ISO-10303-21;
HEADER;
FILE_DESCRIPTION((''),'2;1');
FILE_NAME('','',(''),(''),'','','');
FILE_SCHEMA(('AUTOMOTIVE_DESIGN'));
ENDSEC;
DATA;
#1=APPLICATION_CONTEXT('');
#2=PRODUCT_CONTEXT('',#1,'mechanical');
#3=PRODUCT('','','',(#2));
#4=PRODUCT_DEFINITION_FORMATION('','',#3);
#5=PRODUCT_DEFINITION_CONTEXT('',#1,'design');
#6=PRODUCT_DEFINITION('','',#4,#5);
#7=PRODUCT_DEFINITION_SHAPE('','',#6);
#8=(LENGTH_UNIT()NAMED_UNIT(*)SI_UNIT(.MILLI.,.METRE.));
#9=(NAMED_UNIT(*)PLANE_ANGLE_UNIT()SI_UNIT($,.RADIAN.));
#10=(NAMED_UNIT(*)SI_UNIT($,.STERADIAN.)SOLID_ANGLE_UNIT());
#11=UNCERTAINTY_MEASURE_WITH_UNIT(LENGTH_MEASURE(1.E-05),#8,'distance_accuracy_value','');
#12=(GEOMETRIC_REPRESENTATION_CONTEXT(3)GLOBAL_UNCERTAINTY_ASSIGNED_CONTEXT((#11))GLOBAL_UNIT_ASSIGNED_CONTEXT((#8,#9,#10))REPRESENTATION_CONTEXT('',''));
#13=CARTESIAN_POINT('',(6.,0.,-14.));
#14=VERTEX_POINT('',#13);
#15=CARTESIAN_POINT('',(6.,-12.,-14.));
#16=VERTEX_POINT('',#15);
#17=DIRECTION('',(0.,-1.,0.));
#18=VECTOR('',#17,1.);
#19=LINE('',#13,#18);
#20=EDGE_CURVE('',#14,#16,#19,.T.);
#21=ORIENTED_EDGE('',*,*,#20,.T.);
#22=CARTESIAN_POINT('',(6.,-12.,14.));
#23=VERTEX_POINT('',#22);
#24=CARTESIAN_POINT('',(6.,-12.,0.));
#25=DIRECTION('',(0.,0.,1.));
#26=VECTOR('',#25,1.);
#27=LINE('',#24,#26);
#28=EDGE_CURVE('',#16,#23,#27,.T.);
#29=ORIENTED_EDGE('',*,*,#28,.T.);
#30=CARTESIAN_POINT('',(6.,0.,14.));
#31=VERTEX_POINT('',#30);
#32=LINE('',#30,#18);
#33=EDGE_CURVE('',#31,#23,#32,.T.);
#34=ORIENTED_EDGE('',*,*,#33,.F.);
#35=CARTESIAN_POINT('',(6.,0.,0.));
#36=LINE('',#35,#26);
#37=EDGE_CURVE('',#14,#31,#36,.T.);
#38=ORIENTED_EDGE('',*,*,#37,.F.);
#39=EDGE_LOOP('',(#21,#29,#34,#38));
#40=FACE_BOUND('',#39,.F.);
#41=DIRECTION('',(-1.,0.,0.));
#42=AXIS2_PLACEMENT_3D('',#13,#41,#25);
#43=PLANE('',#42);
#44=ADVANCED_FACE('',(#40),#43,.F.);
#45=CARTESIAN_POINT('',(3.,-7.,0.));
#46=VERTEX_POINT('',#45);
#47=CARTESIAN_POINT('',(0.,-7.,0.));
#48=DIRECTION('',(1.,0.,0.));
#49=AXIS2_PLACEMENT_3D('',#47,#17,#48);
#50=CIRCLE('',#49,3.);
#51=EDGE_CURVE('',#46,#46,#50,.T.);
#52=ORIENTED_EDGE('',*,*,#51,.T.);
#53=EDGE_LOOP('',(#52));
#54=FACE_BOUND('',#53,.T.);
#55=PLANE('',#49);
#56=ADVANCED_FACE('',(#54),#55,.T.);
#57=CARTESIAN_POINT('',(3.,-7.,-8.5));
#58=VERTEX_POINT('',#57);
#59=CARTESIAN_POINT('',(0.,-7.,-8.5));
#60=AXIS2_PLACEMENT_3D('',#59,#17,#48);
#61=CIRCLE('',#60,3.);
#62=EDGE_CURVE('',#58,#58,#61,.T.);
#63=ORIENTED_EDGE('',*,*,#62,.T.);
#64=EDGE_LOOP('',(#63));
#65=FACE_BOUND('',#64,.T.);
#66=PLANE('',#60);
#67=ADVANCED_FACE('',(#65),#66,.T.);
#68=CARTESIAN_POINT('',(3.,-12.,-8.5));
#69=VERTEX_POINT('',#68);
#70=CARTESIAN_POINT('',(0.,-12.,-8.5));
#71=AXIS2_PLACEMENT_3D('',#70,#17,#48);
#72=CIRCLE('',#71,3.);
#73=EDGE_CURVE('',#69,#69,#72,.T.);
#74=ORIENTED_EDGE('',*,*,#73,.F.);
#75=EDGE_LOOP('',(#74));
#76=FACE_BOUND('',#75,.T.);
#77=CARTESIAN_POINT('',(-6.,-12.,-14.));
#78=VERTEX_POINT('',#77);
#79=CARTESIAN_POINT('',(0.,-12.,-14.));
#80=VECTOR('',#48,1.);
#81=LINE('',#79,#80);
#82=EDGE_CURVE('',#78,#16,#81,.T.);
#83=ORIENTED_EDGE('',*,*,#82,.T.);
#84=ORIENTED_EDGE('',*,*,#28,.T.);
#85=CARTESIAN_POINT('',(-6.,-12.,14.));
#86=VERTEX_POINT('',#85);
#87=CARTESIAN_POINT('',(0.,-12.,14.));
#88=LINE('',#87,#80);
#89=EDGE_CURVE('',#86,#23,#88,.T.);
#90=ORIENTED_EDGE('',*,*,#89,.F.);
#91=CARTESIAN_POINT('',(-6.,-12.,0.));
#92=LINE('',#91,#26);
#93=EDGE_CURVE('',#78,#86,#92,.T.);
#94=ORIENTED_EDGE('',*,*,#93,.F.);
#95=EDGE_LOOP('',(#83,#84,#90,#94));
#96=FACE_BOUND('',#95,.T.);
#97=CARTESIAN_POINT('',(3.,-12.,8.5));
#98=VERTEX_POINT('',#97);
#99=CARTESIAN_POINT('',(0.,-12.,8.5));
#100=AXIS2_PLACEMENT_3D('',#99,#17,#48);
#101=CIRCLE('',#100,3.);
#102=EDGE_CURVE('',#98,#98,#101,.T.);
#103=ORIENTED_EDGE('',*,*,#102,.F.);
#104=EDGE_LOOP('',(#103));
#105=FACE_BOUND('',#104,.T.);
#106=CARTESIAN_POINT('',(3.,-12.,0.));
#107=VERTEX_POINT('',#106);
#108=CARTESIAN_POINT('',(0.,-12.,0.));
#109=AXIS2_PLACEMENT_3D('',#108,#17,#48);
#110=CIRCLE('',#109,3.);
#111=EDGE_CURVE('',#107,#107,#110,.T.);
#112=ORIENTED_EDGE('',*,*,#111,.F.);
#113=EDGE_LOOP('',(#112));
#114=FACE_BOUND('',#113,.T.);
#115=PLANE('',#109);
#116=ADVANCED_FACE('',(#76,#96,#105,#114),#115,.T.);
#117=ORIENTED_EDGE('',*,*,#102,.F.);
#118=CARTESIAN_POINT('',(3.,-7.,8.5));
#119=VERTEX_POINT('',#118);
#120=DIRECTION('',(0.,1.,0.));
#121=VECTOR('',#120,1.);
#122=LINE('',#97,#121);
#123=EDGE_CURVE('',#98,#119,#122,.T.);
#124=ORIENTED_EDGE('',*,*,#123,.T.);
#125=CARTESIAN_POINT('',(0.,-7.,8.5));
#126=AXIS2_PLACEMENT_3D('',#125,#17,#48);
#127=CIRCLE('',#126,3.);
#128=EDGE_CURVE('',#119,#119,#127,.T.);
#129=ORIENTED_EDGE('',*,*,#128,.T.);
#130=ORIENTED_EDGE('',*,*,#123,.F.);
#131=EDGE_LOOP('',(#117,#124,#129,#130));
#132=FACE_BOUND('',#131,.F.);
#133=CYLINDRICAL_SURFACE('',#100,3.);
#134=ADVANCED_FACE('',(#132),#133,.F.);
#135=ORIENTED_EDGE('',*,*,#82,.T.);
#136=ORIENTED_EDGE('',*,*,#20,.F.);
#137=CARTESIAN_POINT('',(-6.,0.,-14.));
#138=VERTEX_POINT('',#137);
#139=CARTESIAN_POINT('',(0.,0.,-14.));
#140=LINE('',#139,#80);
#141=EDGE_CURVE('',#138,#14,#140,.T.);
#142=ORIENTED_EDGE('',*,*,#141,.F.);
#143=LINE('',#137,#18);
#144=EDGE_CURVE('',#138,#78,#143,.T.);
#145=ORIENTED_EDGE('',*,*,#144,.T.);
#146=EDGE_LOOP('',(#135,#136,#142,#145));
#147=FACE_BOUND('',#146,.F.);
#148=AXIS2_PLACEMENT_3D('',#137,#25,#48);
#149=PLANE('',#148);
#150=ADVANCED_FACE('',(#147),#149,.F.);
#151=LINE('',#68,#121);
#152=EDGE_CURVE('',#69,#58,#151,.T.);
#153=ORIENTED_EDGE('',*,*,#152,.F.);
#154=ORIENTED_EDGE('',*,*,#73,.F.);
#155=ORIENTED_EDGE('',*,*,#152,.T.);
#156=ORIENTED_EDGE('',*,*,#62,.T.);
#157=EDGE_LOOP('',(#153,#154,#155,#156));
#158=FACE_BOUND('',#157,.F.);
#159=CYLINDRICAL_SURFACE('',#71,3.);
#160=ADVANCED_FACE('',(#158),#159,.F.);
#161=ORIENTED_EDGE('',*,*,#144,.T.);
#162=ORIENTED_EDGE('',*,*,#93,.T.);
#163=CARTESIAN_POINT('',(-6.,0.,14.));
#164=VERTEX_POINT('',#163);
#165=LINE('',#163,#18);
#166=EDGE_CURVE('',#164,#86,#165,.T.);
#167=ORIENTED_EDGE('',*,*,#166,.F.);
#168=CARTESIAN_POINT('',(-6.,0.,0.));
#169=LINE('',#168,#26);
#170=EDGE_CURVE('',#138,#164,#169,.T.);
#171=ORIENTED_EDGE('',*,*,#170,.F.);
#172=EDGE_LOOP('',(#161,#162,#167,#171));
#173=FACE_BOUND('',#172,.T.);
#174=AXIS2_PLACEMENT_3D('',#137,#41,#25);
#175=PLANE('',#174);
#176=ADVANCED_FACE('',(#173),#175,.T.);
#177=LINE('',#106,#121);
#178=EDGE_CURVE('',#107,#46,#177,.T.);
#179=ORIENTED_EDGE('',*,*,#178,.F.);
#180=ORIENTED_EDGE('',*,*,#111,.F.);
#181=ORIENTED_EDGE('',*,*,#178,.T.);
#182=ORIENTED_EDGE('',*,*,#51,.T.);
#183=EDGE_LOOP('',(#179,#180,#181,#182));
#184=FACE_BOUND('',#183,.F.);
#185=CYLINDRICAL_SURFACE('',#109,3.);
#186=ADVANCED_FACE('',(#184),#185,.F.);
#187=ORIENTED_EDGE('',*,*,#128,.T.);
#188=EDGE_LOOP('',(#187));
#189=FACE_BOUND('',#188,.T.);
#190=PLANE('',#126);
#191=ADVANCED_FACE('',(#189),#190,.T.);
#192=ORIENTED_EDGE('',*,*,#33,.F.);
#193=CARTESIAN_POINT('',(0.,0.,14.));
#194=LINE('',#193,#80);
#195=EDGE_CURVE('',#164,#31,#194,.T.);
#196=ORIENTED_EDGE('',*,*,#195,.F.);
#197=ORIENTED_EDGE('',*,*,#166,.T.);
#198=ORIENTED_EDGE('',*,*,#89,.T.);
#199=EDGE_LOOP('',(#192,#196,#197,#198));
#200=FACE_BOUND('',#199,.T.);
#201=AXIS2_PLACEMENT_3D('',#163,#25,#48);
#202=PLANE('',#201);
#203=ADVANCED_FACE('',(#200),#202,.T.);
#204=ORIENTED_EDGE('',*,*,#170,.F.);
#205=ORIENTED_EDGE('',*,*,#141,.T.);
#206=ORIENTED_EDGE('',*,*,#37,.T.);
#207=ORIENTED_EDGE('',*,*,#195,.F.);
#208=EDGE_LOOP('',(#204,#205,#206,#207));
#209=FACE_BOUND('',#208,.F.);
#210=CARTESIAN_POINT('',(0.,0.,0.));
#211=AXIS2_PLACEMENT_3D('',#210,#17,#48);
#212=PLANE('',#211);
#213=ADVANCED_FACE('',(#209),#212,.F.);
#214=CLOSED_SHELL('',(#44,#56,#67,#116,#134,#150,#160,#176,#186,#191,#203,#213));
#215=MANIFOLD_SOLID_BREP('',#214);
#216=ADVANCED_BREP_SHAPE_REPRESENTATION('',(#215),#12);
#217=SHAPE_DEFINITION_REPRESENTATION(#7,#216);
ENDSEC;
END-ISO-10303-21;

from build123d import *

# Parameters (mm, degrees)
F0_W     = 12
F0_H     = 28
F1_DEPTH = 12
F2_R     = 3
F3_DEPTH = 5


with BuildPart() as f1:
    # F0 (on Front) → F1 (new body)
    with BuildSketch(Plane.XZ):
        Rectangle(F0_W, F0_H)
    extrude(amount=F1_DEPTH)

    # F2 (on face) → F3 (cut)
    with BuildSketch(Plane.XZ.offset(12)):
        with Locations((0, 8.5)):
            Circle(F2_R)
        Circle(F2_R)
        with Locations((0, -8.5)):
            Circle(F2_R)
    extrude(amount=-F3_DEPTH, mode=Mode.SUBTRACT)


solid = f1.part
